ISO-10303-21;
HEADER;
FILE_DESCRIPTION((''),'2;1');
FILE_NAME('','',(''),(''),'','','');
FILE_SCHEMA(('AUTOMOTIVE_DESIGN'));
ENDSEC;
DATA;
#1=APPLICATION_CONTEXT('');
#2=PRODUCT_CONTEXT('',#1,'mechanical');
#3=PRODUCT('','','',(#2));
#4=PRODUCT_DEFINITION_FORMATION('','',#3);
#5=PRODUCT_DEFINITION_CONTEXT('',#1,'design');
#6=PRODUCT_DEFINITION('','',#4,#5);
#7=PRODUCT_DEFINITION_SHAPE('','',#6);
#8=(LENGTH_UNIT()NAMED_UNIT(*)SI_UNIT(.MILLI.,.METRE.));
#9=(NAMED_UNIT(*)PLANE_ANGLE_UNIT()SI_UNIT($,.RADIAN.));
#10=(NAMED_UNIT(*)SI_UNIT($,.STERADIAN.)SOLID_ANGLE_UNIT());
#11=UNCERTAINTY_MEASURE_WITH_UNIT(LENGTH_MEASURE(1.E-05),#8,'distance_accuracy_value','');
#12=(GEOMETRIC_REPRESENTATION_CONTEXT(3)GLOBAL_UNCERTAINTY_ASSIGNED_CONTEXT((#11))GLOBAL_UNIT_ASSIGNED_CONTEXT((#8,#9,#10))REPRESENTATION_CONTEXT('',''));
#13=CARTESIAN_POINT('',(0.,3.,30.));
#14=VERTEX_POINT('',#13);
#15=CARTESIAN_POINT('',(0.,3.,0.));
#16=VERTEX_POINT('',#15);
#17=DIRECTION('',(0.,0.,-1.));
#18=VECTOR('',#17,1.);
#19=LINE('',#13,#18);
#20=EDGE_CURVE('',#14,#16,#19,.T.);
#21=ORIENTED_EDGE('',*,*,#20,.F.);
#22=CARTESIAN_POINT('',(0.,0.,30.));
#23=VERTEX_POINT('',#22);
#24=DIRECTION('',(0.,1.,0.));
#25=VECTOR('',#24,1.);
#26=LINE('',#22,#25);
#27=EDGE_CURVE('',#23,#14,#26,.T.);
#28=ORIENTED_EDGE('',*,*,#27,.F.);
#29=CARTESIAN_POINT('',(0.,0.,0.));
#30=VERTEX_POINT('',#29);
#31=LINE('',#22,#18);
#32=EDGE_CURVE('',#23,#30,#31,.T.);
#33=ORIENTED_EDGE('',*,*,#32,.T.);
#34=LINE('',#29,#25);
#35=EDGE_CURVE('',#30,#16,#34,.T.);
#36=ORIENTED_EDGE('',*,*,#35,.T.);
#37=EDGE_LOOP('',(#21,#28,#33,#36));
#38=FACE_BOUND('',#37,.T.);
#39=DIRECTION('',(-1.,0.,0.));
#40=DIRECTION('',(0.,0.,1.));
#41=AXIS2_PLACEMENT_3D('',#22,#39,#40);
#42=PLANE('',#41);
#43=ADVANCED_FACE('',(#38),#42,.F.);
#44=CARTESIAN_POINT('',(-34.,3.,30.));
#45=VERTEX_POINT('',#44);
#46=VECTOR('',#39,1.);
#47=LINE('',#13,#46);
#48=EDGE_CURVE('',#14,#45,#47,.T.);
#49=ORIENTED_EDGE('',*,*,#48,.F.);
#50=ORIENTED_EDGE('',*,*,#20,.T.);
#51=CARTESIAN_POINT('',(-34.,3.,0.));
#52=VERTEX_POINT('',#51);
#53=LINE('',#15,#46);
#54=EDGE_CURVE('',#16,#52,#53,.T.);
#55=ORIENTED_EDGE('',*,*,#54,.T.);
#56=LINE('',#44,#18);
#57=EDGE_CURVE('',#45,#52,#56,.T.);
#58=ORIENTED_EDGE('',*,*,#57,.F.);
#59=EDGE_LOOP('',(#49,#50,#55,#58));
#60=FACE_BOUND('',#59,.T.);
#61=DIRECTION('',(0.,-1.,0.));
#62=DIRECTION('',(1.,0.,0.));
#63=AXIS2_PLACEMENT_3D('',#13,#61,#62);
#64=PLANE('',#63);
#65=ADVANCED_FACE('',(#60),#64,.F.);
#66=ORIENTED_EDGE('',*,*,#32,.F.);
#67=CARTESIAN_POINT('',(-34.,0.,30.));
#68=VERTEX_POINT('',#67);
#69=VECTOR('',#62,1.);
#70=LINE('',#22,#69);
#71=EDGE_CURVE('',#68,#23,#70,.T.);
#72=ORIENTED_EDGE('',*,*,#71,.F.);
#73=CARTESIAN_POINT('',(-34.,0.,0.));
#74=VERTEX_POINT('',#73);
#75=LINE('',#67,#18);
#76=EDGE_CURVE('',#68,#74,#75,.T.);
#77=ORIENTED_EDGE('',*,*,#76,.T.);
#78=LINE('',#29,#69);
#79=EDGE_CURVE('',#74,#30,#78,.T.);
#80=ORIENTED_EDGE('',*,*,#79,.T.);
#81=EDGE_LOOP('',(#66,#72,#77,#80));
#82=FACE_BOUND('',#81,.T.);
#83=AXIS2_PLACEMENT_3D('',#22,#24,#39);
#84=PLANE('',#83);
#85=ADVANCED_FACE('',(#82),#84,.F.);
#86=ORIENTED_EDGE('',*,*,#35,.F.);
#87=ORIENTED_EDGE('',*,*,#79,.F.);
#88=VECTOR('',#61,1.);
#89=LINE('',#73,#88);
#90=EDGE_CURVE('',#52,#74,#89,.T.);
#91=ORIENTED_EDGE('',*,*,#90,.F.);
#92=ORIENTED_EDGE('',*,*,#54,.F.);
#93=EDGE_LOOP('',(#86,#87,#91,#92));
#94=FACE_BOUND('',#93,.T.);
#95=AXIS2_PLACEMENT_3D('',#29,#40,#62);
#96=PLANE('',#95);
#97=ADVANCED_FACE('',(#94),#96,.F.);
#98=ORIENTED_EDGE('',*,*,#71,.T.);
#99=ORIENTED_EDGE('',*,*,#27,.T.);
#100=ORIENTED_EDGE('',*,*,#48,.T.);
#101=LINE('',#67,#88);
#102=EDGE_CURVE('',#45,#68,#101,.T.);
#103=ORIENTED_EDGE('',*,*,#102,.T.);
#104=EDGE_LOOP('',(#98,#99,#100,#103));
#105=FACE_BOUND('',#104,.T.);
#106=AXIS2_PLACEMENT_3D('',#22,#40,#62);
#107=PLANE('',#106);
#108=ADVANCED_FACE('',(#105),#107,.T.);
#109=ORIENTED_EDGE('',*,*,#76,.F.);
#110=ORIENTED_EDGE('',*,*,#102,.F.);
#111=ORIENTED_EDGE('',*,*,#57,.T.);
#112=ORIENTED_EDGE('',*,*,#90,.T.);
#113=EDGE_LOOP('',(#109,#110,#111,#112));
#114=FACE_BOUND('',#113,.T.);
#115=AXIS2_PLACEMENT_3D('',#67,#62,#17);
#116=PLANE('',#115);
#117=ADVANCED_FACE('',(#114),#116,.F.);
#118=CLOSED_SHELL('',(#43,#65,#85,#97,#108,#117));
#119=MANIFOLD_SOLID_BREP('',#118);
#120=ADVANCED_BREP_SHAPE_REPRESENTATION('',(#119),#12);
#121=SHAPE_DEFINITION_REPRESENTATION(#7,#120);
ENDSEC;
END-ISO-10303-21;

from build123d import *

# Parameters (mm, degrees)
ESBO_O1_W                = 34
ESBO_O1_H                = 3
RESSALTO_EXTRUS_O1_DEPTH = 30


with BuildPart() as part:
    # Esboço1 → Ressalto-extrusão1 (new body)
    with BuildSketch(Plane.XY):
        with Locations((-17, 1.5)):
            Rectangle(ESBO_O1_W, ESBO_O1_H)
    extrude(amount=RESSALTO_EXTRUS_O1_DEPTH)


solid = part.part
